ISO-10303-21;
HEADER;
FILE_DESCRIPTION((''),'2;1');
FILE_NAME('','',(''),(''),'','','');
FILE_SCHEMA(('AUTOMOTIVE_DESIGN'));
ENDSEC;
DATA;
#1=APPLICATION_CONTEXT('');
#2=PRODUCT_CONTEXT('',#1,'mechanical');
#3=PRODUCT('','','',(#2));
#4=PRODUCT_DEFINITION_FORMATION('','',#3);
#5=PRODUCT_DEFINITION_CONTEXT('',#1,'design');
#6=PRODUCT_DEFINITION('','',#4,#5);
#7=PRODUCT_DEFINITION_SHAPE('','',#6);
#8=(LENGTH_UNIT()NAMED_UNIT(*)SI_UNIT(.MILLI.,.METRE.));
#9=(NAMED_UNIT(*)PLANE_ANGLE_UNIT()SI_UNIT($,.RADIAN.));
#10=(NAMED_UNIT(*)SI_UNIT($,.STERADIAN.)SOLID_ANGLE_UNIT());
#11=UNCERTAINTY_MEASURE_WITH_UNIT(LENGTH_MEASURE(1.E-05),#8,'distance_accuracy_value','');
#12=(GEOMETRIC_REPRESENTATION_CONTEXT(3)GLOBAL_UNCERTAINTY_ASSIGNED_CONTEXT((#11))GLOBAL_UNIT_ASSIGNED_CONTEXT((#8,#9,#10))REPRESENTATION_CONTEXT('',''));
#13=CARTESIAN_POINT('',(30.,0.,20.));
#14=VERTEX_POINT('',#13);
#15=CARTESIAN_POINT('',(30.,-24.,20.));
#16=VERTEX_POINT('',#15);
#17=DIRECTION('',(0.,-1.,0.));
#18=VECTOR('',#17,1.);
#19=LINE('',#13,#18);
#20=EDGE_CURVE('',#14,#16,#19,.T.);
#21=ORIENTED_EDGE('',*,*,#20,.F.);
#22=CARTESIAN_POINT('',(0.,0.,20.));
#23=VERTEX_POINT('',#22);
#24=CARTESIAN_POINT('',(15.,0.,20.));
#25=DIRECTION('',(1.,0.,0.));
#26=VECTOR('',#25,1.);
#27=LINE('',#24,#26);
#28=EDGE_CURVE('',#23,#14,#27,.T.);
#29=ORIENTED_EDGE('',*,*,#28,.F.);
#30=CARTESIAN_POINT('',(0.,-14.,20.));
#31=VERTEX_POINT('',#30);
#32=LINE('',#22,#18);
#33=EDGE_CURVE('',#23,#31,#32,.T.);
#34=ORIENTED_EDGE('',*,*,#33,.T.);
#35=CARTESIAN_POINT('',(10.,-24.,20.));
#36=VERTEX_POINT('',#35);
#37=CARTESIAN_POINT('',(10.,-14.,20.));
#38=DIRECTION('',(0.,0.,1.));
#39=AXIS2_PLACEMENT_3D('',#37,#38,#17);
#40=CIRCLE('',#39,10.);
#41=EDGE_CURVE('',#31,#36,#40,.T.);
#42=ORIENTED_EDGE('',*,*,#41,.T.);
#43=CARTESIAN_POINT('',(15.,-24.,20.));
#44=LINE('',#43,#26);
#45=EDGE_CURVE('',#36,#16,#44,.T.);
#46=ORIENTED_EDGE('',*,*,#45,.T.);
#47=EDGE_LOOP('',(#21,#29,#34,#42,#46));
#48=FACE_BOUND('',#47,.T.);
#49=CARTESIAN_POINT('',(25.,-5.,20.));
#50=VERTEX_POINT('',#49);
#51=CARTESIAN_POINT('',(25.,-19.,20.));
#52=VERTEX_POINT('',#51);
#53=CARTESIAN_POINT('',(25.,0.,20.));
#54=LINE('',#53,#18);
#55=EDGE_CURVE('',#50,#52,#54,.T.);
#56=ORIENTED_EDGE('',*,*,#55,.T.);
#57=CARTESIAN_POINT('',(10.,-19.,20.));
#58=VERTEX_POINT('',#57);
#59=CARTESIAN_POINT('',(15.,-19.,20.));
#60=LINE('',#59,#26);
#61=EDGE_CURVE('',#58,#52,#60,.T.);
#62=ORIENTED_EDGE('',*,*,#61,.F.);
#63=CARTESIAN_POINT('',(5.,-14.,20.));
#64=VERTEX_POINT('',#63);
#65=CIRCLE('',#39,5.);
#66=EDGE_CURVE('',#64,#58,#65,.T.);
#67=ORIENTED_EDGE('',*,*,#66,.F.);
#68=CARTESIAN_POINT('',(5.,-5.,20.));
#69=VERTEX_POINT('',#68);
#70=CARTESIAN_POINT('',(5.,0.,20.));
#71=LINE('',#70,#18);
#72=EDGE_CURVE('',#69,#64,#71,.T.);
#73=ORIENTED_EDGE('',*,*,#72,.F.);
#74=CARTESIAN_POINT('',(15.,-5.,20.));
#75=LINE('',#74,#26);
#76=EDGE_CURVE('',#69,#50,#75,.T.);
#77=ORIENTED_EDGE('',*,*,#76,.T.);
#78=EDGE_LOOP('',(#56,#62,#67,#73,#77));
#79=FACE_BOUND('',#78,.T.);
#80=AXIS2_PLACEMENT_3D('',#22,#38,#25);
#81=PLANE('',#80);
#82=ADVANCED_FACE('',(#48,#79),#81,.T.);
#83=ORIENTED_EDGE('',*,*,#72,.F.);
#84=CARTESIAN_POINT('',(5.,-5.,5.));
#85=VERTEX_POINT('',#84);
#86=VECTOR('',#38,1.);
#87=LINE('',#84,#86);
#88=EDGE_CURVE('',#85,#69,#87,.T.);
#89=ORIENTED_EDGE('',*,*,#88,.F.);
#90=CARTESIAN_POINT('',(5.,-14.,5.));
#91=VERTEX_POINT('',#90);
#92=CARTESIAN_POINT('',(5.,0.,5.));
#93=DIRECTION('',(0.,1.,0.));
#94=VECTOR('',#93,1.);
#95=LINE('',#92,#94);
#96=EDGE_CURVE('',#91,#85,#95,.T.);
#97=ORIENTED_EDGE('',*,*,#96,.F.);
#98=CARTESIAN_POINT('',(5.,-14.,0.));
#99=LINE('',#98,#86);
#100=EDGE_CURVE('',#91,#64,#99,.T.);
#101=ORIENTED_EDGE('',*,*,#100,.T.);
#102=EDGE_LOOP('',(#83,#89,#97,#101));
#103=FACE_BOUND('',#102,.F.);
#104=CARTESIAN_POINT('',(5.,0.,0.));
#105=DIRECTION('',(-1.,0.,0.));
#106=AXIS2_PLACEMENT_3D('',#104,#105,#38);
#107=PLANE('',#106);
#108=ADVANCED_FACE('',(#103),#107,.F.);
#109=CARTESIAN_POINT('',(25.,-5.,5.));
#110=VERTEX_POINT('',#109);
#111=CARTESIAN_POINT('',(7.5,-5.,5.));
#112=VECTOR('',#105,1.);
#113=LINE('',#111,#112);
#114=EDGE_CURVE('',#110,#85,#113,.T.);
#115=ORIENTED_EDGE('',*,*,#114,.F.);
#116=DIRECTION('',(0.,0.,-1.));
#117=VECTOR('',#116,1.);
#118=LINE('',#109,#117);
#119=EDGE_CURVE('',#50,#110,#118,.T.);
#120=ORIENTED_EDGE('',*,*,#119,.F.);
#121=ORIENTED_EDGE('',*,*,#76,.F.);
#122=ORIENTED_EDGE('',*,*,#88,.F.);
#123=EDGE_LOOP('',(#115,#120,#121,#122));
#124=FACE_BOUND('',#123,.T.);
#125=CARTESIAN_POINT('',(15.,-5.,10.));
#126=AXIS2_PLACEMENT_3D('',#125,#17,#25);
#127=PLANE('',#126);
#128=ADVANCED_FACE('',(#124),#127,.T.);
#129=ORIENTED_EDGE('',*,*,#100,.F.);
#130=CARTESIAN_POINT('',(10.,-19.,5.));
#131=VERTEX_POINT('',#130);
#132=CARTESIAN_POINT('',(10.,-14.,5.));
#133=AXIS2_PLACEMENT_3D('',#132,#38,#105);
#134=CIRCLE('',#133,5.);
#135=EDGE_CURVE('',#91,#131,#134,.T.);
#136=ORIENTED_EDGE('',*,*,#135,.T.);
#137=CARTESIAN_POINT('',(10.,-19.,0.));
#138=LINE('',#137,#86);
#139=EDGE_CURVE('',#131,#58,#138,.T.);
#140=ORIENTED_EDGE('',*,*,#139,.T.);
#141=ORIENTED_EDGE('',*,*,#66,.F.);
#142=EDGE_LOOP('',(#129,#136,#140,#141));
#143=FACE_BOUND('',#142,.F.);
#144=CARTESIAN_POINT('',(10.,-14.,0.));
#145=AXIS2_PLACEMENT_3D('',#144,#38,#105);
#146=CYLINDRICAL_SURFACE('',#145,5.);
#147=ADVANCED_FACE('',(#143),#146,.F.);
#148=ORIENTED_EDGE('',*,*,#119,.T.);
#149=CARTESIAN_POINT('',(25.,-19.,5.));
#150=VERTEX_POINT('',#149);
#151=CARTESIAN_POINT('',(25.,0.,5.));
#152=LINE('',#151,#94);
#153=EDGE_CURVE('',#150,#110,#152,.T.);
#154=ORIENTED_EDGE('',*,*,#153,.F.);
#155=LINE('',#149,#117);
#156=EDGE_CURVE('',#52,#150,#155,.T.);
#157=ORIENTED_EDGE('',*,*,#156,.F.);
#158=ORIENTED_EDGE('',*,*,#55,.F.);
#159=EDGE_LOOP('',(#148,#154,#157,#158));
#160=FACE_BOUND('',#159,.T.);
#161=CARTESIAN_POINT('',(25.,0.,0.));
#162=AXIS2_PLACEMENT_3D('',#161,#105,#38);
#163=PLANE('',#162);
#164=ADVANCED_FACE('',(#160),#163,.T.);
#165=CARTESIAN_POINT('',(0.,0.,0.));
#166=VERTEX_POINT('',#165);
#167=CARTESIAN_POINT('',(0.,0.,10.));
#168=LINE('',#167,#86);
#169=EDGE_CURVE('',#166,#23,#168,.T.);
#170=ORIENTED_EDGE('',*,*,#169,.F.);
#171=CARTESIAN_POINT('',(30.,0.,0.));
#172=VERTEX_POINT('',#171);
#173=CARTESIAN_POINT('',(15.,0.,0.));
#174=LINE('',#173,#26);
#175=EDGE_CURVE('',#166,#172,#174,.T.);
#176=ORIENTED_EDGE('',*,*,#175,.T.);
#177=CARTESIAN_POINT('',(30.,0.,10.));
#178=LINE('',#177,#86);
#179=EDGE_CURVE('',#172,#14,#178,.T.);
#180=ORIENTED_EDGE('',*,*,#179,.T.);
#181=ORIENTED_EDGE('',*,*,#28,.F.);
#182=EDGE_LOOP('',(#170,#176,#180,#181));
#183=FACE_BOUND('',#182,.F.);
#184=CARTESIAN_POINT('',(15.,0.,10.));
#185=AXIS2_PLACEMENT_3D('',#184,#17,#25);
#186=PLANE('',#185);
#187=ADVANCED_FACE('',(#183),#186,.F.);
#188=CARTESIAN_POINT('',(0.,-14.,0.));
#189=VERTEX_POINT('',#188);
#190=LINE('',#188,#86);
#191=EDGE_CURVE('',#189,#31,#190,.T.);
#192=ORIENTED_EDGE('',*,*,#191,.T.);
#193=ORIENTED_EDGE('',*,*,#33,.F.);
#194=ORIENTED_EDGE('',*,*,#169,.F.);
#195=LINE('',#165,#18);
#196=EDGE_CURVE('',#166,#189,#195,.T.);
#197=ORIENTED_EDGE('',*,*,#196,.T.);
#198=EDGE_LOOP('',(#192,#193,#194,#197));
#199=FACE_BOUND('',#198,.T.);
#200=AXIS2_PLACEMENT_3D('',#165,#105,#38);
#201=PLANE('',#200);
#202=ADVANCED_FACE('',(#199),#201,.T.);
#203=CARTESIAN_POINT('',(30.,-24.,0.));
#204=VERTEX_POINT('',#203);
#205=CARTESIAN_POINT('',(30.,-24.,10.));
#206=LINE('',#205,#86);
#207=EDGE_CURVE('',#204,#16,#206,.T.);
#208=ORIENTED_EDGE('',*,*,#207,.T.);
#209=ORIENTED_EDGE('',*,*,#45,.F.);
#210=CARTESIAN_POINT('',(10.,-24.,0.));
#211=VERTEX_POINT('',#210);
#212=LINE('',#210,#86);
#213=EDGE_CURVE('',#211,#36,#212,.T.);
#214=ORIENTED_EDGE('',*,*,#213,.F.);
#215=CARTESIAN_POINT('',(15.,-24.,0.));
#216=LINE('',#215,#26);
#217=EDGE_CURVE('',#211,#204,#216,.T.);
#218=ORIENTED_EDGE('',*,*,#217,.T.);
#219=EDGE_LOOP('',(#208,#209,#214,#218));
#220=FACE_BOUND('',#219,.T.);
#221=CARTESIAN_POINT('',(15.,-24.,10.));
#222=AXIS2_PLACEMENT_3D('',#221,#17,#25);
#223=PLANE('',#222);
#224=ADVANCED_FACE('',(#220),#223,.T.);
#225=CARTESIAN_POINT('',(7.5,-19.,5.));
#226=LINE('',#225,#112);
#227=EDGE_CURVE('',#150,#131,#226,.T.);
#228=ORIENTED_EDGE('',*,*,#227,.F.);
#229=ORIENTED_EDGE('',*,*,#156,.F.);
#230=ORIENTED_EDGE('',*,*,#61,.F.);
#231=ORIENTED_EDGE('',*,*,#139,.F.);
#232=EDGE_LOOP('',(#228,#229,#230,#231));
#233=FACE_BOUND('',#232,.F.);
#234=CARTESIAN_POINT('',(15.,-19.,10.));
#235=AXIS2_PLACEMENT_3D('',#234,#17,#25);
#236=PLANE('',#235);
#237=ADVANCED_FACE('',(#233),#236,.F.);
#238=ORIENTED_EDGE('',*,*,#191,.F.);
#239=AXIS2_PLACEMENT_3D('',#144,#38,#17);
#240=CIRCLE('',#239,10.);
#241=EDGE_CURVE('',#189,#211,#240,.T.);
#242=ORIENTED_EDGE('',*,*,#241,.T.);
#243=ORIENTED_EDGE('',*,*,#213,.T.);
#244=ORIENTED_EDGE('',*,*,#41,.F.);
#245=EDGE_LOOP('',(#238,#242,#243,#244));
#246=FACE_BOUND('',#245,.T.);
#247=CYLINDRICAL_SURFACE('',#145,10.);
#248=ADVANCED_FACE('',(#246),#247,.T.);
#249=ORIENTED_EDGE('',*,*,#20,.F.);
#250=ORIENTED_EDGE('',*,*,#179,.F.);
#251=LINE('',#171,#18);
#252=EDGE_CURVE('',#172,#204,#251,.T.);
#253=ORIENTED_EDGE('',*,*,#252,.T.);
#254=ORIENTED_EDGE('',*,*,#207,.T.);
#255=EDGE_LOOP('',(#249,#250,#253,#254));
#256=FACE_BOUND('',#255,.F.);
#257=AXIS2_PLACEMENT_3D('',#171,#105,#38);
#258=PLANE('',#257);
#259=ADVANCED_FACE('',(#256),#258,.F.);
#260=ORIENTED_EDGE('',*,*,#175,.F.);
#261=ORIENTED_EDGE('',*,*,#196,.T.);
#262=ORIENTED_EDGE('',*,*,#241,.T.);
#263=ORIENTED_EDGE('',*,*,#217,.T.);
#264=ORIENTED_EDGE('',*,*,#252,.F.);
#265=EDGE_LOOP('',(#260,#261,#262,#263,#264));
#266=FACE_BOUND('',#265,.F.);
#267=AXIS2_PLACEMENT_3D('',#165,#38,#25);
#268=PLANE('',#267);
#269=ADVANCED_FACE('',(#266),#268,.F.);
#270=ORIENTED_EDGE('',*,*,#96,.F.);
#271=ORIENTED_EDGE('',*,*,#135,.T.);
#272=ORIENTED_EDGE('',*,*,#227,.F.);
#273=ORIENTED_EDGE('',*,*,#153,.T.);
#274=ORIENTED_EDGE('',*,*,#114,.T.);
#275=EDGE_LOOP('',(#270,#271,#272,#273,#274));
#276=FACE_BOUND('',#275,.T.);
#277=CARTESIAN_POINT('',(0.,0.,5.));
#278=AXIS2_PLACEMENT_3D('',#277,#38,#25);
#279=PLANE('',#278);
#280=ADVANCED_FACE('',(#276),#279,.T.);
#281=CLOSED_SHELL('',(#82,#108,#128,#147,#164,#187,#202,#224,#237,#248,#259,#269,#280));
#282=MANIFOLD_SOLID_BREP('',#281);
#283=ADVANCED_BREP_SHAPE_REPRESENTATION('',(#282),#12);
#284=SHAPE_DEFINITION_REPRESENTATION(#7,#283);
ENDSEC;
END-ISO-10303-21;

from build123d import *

# Parameters (mm, degrees)
F0_W     = 30
F0_H     = 20
F1_DEPTH = 24
F2_R     = 10
F3_T     = -5


with BuildPart() as f1:
    # F0 (on Front) → F1 (new body)
    with BuildSketch(Plane.XZ):
        with Locations((15, 10)):
            Rectangle(F0_W, F0_H)
    extrude(amount=F1_DEPTH)

    # F2
    f2_edges = [f1.edges().sort_by_distance(p)[0] for p in [
        (0, -24, 10),
    ]]
    fillet(f2_edges, radius=F2_R)

    # F3
    f3_openings = [f1.faces().sort_by_distance(p)[0] for p in [
        (15.3922, -11.699964, 20),
    ]]
    offset(amount=F3_T, openings=f3_openings)


solid = f1.part
